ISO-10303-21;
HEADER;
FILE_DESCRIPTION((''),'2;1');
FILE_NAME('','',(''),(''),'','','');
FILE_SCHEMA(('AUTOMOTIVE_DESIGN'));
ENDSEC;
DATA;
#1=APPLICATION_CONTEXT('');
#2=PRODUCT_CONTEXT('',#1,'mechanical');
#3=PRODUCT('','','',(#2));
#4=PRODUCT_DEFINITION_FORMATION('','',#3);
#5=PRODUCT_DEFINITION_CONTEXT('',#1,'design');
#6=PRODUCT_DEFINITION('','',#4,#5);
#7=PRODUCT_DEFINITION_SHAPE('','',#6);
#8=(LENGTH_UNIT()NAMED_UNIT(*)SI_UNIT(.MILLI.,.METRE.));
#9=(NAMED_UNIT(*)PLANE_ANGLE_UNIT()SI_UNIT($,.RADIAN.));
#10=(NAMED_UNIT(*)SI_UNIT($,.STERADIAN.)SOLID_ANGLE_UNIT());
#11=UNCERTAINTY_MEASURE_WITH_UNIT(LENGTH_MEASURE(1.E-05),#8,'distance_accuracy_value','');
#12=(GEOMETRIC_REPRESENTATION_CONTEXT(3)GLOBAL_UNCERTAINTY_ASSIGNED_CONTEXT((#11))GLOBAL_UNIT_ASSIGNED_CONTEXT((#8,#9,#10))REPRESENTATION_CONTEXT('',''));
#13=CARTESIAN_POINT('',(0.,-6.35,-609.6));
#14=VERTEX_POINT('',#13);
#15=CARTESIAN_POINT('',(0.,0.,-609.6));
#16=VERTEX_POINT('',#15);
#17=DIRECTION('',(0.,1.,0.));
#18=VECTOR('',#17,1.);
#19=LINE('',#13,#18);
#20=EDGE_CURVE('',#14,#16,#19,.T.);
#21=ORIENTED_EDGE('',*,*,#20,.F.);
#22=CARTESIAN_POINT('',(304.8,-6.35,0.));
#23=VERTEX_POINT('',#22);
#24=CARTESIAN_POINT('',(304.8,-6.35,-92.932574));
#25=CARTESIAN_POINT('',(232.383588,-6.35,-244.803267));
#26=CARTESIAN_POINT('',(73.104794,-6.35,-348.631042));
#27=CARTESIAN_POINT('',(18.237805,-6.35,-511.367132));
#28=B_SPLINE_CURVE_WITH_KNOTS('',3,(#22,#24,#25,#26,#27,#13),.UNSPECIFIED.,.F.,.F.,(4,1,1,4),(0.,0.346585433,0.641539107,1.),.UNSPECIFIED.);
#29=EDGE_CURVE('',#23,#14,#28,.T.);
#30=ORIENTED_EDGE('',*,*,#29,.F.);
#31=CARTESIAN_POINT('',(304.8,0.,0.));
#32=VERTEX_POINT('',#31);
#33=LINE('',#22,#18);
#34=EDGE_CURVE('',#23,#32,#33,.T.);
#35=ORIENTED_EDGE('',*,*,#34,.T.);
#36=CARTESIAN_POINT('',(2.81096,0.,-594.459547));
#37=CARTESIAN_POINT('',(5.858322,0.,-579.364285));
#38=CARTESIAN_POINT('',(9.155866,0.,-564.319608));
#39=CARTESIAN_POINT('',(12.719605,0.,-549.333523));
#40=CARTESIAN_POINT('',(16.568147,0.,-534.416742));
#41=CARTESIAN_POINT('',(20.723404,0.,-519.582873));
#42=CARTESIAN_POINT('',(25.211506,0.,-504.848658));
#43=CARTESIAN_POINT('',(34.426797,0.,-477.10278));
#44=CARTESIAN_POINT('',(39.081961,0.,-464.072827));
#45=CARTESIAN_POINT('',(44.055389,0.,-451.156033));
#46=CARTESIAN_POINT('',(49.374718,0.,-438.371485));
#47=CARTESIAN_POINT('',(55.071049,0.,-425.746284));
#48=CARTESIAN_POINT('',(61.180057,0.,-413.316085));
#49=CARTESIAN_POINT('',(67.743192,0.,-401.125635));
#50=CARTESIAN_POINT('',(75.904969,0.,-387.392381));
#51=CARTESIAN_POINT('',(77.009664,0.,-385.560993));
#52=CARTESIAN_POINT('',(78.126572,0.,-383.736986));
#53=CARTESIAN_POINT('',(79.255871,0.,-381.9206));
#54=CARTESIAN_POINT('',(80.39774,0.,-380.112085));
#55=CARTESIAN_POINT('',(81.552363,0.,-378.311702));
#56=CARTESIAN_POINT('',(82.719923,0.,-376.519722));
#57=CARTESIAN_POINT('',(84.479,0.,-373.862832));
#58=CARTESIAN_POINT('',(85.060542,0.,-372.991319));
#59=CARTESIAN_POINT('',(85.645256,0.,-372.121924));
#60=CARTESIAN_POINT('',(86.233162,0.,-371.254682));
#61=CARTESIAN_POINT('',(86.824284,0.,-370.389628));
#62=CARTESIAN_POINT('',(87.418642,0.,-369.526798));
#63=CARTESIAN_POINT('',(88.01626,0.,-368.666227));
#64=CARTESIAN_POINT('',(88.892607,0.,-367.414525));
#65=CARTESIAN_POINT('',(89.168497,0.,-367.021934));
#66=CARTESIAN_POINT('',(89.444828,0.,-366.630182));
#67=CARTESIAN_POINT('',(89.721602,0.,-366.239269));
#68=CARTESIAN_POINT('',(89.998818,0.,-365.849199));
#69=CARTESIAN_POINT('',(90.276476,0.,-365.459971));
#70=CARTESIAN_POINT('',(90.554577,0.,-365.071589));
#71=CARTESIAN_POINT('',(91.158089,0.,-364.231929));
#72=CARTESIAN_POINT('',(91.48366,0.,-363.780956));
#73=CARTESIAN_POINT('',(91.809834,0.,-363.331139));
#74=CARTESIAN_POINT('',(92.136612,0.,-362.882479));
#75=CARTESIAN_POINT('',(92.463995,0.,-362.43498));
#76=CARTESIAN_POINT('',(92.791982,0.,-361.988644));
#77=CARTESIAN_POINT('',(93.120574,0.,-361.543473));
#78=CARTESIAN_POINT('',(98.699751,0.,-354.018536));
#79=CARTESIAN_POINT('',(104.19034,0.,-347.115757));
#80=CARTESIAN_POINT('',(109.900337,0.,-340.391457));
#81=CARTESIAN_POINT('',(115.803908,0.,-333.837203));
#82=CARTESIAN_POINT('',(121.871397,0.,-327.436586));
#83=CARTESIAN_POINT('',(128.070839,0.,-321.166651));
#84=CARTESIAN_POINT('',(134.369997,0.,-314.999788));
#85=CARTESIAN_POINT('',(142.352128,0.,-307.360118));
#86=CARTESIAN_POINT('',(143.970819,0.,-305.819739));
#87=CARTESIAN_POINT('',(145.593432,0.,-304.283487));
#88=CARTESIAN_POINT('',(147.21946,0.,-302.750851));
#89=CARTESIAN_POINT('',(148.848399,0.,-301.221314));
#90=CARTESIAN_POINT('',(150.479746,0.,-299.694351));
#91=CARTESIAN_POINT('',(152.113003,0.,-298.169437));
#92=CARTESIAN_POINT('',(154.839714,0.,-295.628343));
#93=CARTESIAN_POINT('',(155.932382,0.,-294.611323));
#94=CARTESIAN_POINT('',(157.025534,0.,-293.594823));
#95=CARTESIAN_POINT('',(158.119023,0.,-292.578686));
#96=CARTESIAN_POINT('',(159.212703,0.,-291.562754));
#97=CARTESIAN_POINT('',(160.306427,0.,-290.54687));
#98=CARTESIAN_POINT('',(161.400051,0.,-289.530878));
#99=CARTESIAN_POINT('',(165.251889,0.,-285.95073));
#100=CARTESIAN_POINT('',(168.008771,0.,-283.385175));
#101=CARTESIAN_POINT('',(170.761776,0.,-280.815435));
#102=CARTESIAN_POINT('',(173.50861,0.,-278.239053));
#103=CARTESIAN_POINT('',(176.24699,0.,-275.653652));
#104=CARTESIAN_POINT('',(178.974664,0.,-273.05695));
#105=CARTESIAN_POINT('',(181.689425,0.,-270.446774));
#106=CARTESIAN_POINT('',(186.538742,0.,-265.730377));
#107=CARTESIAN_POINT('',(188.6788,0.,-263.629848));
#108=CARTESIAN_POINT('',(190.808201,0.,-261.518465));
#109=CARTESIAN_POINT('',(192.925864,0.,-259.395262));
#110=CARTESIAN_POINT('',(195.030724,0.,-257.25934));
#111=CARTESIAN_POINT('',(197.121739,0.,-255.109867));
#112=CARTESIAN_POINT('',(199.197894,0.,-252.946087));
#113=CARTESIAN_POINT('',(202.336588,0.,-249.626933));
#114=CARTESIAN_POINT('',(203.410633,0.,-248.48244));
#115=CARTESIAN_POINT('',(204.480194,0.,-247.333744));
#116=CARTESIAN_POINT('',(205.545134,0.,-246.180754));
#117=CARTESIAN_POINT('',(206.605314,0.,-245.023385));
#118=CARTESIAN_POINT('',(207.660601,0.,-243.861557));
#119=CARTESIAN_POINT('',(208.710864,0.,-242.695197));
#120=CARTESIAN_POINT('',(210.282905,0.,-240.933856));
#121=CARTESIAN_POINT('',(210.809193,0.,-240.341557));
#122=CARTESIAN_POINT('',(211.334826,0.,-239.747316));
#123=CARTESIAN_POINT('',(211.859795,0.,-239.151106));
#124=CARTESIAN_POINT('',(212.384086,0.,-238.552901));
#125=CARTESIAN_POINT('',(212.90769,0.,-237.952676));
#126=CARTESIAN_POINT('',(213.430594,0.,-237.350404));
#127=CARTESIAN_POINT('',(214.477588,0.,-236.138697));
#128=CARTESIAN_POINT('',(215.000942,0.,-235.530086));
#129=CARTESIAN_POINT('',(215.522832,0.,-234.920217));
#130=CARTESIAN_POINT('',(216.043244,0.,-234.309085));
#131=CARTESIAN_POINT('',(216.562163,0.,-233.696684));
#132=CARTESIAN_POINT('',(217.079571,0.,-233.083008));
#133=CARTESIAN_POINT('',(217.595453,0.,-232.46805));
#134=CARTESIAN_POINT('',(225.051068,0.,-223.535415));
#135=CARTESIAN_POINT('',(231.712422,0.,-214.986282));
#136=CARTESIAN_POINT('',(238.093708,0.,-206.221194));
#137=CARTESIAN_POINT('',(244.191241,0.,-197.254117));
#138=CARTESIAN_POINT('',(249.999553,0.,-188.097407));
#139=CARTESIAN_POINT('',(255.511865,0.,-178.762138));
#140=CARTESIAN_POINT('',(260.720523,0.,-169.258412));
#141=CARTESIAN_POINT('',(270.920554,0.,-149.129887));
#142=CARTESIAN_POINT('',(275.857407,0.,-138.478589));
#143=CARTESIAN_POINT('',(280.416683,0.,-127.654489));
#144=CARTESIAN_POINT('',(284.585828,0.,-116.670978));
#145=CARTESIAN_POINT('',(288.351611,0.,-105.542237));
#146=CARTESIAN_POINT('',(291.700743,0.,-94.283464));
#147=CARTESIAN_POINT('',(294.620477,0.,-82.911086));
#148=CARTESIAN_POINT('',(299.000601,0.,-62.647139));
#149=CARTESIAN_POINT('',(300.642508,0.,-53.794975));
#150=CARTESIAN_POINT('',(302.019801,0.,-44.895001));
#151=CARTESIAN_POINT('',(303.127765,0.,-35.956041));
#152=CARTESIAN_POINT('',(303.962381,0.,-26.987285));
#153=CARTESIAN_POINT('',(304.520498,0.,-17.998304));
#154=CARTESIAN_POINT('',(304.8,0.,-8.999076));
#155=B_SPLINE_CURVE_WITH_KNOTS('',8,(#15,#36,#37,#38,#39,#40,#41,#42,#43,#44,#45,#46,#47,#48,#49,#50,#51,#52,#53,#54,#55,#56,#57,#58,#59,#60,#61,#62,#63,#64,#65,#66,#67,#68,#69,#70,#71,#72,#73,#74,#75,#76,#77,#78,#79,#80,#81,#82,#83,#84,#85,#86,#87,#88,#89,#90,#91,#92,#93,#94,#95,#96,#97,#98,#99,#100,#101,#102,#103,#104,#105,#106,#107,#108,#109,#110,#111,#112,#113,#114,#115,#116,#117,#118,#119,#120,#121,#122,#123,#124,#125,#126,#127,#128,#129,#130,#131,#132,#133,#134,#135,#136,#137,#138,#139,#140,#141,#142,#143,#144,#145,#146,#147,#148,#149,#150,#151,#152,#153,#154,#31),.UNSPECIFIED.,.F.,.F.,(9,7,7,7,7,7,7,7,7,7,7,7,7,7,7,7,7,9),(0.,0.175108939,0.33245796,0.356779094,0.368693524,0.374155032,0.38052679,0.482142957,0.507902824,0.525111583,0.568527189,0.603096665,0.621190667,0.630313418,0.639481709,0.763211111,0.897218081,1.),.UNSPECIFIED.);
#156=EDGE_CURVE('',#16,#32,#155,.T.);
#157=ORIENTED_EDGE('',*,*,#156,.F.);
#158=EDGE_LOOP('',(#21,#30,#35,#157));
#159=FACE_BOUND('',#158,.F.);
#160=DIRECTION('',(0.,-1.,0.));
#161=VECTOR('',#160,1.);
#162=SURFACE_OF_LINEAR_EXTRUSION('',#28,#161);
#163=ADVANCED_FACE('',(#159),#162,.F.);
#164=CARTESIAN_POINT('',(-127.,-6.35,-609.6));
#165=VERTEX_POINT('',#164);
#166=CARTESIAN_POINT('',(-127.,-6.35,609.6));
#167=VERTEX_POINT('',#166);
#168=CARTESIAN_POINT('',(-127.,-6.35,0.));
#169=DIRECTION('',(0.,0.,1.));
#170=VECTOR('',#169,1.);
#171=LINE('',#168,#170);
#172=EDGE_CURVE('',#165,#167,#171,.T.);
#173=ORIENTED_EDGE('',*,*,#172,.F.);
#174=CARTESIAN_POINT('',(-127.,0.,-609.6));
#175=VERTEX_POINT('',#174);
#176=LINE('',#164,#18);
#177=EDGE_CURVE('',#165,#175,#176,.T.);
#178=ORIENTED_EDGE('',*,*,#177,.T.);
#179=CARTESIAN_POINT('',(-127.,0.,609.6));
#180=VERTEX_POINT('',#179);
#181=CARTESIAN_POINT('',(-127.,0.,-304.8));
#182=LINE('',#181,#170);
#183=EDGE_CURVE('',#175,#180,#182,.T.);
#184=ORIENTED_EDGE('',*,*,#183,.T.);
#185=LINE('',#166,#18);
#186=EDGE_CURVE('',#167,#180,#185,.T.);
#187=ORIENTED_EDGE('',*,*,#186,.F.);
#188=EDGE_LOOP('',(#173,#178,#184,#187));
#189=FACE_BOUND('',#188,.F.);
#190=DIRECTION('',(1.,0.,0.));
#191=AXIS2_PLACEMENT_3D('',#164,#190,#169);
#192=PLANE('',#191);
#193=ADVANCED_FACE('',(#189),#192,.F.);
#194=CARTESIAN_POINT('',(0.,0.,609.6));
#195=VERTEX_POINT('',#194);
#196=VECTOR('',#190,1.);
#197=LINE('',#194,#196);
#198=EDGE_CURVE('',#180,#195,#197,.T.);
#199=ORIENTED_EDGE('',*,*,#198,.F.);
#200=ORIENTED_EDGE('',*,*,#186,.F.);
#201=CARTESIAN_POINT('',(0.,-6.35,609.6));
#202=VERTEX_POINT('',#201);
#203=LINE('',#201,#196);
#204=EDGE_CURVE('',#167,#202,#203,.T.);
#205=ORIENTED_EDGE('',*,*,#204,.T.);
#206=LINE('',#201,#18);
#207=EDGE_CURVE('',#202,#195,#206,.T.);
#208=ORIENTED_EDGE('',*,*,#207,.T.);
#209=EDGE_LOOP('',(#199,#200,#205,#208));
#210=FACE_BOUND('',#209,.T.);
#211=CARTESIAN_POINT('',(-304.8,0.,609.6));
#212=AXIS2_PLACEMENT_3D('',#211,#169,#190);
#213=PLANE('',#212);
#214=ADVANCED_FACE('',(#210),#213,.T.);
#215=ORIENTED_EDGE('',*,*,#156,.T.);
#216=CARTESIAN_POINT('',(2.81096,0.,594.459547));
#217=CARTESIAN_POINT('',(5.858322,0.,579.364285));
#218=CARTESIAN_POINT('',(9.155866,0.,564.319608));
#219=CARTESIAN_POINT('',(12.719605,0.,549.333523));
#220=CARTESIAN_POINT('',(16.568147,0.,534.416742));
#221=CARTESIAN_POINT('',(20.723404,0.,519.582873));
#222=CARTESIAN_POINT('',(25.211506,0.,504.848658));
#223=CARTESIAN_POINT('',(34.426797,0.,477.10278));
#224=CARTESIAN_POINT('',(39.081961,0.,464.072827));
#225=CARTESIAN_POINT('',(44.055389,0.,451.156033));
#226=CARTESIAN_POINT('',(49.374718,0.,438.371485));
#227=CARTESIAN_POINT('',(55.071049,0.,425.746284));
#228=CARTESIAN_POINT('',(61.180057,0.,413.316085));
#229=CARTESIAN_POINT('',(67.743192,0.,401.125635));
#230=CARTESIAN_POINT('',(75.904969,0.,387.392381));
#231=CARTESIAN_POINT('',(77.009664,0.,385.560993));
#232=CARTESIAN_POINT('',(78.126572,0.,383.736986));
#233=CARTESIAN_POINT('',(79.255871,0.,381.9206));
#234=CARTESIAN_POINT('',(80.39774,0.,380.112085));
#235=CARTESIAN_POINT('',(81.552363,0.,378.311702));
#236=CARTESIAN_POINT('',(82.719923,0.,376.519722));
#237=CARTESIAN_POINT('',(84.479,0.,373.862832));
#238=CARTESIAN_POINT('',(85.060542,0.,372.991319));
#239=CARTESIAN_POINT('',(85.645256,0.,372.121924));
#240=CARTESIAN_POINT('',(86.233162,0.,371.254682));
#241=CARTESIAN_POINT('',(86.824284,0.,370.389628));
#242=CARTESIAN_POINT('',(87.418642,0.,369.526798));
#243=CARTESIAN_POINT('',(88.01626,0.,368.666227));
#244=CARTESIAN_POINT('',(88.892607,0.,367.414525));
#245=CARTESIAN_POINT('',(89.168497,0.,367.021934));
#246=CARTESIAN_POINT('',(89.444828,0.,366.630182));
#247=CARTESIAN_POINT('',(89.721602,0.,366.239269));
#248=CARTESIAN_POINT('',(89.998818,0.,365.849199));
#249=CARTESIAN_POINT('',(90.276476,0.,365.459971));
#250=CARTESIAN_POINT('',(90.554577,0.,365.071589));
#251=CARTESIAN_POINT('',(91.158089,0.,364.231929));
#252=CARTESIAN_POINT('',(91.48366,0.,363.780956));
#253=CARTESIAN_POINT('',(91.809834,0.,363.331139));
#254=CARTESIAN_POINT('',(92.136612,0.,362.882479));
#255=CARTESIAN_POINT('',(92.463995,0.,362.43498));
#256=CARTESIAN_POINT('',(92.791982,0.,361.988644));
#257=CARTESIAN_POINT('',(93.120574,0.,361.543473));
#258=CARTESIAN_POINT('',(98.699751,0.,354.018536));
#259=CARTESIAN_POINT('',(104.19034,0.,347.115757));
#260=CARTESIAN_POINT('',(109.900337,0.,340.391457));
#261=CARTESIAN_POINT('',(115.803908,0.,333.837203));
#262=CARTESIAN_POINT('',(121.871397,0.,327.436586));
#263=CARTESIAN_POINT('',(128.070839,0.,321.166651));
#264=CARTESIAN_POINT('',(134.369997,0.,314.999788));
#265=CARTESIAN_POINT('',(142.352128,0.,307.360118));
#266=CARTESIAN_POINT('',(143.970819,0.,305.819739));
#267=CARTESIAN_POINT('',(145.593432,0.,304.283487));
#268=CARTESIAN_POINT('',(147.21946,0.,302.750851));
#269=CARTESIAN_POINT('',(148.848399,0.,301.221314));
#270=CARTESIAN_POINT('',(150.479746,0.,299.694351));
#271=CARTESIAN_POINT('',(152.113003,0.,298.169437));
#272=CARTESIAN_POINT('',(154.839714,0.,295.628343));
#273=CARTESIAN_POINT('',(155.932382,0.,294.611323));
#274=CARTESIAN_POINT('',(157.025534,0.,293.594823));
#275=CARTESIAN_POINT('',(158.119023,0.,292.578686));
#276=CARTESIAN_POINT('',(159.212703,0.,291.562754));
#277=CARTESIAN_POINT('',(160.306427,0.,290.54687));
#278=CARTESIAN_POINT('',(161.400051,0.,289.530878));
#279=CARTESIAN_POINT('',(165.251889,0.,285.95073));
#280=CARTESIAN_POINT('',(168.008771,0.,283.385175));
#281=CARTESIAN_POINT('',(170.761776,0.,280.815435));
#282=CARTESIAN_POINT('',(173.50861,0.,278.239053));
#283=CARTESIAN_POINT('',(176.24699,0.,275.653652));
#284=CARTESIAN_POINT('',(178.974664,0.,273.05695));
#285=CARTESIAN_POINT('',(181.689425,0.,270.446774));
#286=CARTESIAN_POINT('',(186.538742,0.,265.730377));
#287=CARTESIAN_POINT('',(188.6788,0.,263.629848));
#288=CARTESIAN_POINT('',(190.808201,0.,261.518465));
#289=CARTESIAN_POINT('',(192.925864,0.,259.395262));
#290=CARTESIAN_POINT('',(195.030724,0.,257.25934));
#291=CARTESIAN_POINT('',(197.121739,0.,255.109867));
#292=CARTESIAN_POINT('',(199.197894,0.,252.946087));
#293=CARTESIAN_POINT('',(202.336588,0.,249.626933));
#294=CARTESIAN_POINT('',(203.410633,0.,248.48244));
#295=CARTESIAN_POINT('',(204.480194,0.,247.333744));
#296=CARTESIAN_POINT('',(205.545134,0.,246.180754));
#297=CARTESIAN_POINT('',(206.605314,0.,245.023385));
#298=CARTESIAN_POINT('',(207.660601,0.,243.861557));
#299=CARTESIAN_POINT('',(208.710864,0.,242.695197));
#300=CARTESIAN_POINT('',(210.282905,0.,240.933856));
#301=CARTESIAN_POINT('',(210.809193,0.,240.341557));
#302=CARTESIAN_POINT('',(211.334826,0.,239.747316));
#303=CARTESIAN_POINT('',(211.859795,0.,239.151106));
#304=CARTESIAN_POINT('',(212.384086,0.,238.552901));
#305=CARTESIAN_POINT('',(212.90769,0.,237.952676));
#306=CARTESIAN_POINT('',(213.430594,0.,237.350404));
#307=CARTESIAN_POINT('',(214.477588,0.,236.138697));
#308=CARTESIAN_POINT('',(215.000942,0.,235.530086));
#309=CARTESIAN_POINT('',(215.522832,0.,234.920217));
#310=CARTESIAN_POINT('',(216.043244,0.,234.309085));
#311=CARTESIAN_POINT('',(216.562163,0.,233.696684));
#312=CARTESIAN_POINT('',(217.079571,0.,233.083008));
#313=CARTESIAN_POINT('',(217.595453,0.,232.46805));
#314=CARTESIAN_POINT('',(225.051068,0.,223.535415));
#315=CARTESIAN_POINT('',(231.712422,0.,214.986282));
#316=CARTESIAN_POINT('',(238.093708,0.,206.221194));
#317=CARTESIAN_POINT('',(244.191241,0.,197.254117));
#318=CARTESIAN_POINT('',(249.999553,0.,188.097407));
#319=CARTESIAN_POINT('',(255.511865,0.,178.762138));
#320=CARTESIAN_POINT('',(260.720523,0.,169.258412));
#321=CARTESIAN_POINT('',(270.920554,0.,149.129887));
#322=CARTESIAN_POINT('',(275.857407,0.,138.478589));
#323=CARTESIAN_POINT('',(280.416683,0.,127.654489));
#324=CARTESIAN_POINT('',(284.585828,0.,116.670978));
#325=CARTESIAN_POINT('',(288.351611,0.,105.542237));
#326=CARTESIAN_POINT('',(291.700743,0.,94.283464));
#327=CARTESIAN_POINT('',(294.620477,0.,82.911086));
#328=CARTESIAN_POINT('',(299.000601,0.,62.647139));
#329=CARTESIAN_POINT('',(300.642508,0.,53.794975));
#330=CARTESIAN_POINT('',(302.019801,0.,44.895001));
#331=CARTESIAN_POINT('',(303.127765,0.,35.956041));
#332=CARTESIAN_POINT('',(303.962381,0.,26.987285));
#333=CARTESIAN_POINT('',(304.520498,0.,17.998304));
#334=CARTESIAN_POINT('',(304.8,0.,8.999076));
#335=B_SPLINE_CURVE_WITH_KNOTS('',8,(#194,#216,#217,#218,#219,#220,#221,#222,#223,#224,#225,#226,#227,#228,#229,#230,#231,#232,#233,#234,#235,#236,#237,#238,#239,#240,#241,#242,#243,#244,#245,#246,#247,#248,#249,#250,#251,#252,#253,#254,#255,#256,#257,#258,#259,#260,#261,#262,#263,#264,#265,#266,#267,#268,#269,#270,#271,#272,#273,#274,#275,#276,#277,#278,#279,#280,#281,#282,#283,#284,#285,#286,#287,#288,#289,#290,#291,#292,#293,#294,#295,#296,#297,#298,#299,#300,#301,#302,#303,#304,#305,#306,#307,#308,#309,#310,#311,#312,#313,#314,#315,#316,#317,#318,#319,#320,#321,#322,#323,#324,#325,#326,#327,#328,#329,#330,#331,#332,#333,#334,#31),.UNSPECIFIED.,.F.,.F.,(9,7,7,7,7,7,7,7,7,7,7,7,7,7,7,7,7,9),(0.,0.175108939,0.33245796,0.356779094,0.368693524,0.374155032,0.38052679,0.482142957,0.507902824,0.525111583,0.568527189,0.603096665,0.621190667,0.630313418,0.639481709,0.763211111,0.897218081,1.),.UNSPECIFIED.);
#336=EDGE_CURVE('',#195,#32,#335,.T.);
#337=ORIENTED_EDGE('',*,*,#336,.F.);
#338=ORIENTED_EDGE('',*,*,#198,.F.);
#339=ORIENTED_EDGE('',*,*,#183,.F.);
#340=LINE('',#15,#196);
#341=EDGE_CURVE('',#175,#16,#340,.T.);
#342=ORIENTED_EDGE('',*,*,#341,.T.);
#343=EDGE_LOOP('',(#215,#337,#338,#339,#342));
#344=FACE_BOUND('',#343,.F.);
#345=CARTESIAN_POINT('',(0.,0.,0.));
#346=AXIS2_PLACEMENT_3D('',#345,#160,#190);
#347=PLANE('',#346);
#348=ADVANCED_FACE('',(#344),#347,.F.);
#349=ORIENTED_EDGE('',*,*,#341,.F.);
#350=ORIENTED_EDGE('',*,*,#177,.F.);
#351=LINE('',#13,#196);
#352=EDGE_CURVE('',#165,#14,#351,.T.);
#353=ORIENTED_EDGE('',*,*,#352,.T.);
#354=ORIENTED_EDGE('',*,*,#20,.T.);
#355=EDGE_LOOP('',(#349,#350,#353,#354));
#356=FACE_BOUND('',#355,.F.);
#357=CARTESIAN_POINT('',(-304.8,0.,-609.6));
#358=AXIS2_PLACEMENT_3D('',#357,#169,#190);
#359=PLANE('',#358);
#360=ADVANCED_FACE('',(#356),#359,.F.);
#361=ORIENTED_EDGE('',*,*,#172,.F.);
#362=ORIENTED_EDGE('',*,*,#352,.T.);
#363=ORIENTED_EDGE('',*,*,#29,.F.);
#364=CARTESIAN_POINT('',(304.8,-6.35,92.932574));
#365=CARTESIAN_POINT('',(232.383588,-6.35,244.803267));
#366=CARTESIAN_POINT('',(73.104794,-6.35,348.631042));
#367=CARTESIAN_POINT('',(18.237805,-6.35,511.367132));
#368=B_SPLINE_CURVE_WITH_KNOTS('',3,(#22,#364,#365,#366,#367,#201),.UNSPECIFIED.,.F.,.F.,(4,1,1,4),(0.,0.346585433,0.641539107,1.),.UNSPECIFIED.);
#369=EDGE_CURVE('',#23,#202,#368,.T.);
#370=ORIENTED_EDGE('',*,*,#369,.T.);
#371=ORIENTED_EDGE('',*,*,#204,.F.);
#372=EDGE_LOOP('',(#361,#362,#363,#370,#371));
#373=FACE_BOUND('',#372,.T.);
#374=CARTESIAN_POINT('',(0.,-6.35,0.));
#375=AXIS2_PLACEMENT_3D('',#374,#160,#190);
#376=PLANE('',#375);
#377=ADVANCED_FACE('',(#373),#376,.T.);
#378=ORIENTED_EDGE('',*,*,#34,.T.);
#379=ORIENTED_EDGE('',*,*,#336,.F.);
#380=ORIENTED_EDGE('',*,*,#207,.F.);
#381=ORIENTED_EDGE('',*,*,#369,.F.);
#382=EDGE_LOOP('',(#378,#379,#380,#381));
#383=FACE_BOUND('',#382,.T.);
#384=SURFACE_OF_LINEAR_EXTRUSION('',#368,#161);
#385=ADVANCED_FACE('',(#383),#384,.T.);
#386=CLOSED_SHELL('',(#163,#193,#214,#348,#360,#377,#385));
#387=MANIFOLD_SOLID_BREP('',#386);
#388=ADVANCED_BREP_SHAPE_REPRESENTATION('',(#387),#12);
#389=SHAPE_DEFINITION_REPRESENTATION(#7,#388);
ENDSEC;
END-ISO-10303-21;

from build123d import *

# Parameters (mm, degrees)
F0_W     = 609.6
F0_H     = 1219.2
F1_DEPTH = 6.35
F2_W     = 177.8
F2_H     = 1219.2
F3_DEPTH = 6.351


with BuildPart() as f1:
    # F0 (on Front) → F1 (new body)
    with BuildSketch(Plane.XZ):
        Rectangle(F0_W, F0_H)
    extrude(amount=F1_DEPTH)

    # F2 (on face) → F3 (cut, through all)
    with BuildSketch(Plane.XZ.offset(6.35)):
        with BuildLine():
            add(Edge.make_bspline(
                [(304.8, 0), (304.8, 92.9325740233), (232.3835883977, 244.8032665536), (73.1047943945, 348.6310422575), (18.2378050836, 511.3671324522), (0, 609.6)],
                knots=[0, 0, 0, 0, 0.3465854329, 0.6415391071, 1, 1, 1, 1], degree=3))
            Line((304.8, 0), (304.8, 609.6))
            Line((304.8, 609.6), (0, 609.6))
        make_face()
        with BuildLine():
            Line((304.8, -609.6), (304.8, 0))
            add(Edge.make_bspline(
                [(304.8, 0), (304.8, -92.9325740233), (232.3835883977, -244.8032665536), (73.1047943945, -348.6310422575), (18.2378050836, -511.3671324522), (0, -609.6)],
                knots=[0, 0, 0, 0, 0.3465854329, 0.6415391071, 1, 1, 1, 1], degree=3))
            Line((0, -609.6), (304.8, -609.6))
        make_face()
        with Locations((-215.9, 0)):
            Rectangle(F2_W, F2_H)
    extrude(amount=-F3_DEPTH, mode=Mode.SUBTRACT)


solid = f1.part
